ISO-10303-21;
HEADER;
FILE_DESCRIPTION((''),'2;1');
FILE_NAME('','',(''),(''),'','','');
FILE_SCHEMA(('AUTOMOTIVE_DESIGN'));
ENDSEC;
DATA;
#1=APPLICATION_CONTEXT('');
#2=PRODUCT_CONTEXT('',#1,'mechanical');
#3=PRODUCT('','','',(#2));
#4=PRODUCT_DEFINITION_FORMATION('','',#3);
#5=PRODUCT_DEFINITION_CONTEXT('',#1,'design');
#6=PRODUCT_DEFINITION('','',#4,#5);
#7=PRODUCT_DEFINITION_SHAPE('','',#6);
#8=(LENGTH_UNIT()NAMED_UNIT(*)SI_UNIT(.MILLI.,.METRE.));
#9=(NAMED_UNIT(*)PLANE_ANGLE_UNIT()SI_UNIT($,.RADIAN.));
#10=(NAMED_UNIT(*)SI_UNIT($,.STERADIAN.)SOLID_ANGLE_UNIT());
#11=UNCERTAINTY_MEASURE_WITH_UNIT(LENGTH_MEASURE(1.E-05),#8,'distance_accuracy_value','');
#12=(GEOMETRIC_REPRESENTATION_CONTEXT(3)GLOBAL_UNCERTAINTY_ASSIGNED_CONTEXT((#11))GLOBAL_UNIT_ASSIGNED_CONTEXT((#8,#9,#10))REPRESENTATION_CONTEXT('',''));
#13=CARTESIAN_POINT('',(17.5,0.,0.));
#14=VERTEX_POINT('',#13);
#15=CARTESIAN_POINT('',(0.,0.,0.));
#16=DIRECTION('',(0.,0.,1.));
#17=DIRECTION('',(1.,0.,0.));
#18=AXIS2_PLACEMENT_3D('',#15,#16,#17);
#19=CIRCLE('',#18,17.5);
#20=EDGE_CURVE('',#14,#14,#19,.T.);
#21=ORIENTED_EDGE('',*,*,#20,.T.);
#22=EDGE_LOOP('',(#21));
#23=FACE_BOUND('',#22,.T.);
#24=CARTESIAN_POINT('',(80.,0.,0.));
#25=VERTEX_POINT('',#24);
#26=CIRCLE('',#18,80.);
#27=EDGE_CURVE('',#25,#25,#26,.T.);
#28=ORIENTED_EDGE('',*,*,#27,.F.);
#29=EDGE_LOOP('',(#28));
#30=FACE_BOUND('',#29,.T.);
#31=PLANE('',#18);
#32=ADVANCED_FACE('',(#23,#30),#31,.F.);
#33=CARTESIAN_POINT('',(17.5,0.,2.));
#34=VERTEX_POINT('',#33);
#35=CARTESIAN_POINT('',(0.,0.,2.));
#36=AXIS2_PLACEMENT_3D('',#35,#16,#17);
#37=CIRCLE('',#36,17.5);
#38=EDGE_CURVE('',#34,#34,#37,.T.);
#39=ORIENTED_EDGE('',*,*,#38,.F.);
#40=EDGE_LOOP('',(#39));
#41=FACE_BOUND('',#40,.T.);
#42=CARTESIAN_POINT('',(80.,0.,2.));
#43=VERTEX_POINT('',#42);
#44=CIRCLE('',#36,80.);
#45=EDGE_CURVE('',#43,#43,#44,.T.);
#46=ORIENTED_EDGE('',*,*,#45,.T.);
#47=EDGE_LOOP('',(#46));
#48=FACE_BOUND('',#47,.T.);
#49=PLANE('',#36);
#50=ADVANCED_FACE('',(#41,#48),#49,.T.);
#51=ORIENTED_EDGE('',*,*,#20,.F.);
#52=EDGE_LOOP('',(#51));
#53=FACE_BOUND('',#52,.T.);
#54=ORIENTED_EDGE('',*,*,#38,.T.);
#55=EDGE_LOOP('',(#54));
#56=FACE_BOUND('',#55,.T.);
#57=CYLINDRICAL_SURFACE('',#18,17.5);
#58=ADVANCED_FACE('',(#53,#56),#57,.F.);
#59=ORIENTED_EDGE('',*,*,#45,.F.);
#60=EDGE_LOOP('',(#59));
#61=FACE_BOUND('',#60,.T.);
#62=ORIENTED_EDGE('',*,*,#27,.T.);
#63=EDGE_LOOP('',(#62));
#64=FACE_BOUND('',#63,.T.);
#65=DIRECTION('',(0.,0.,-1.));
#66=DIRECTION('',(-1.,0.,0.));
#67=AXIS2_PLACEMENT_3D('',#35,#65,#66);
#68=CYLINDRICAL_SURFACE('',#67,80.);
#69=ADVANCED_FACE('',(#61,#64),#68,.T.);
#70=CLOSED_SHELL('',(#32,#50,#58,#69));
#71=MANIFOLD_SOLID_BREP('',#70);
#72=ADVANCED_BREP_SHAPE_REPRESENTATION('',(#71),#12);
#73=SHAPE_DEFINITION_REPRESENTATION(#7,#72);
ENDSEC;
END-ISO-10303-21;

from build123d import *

# Parameters (mm, degrees)
SKETCH1_R           = 80
BOSS_EXTRUDE1_DEPTH = 2
SKETCH3_R           = 17.5
CUT_EXTRUDE1_DEPTH  = 2


with BuildPart() as part:
    # Sketch1 → Boss-Extrude1 (new body)
    with BuildSketch(Plane.XY):
        Circle(SKETCH1_R)
    extrude(amount=BOSS_EXTRUDE1_DEPTH)

    # Sketch3 → Cut-Extrude1 (cut)
    with BuildSketch(Plane.XY.offset(2)):
        Circle(SKETCH3_R)
    extrude(amount=-CUT_EXTRUDE1_DEPTH, mode=Mode.SUBTRACT)


solid = part.part
